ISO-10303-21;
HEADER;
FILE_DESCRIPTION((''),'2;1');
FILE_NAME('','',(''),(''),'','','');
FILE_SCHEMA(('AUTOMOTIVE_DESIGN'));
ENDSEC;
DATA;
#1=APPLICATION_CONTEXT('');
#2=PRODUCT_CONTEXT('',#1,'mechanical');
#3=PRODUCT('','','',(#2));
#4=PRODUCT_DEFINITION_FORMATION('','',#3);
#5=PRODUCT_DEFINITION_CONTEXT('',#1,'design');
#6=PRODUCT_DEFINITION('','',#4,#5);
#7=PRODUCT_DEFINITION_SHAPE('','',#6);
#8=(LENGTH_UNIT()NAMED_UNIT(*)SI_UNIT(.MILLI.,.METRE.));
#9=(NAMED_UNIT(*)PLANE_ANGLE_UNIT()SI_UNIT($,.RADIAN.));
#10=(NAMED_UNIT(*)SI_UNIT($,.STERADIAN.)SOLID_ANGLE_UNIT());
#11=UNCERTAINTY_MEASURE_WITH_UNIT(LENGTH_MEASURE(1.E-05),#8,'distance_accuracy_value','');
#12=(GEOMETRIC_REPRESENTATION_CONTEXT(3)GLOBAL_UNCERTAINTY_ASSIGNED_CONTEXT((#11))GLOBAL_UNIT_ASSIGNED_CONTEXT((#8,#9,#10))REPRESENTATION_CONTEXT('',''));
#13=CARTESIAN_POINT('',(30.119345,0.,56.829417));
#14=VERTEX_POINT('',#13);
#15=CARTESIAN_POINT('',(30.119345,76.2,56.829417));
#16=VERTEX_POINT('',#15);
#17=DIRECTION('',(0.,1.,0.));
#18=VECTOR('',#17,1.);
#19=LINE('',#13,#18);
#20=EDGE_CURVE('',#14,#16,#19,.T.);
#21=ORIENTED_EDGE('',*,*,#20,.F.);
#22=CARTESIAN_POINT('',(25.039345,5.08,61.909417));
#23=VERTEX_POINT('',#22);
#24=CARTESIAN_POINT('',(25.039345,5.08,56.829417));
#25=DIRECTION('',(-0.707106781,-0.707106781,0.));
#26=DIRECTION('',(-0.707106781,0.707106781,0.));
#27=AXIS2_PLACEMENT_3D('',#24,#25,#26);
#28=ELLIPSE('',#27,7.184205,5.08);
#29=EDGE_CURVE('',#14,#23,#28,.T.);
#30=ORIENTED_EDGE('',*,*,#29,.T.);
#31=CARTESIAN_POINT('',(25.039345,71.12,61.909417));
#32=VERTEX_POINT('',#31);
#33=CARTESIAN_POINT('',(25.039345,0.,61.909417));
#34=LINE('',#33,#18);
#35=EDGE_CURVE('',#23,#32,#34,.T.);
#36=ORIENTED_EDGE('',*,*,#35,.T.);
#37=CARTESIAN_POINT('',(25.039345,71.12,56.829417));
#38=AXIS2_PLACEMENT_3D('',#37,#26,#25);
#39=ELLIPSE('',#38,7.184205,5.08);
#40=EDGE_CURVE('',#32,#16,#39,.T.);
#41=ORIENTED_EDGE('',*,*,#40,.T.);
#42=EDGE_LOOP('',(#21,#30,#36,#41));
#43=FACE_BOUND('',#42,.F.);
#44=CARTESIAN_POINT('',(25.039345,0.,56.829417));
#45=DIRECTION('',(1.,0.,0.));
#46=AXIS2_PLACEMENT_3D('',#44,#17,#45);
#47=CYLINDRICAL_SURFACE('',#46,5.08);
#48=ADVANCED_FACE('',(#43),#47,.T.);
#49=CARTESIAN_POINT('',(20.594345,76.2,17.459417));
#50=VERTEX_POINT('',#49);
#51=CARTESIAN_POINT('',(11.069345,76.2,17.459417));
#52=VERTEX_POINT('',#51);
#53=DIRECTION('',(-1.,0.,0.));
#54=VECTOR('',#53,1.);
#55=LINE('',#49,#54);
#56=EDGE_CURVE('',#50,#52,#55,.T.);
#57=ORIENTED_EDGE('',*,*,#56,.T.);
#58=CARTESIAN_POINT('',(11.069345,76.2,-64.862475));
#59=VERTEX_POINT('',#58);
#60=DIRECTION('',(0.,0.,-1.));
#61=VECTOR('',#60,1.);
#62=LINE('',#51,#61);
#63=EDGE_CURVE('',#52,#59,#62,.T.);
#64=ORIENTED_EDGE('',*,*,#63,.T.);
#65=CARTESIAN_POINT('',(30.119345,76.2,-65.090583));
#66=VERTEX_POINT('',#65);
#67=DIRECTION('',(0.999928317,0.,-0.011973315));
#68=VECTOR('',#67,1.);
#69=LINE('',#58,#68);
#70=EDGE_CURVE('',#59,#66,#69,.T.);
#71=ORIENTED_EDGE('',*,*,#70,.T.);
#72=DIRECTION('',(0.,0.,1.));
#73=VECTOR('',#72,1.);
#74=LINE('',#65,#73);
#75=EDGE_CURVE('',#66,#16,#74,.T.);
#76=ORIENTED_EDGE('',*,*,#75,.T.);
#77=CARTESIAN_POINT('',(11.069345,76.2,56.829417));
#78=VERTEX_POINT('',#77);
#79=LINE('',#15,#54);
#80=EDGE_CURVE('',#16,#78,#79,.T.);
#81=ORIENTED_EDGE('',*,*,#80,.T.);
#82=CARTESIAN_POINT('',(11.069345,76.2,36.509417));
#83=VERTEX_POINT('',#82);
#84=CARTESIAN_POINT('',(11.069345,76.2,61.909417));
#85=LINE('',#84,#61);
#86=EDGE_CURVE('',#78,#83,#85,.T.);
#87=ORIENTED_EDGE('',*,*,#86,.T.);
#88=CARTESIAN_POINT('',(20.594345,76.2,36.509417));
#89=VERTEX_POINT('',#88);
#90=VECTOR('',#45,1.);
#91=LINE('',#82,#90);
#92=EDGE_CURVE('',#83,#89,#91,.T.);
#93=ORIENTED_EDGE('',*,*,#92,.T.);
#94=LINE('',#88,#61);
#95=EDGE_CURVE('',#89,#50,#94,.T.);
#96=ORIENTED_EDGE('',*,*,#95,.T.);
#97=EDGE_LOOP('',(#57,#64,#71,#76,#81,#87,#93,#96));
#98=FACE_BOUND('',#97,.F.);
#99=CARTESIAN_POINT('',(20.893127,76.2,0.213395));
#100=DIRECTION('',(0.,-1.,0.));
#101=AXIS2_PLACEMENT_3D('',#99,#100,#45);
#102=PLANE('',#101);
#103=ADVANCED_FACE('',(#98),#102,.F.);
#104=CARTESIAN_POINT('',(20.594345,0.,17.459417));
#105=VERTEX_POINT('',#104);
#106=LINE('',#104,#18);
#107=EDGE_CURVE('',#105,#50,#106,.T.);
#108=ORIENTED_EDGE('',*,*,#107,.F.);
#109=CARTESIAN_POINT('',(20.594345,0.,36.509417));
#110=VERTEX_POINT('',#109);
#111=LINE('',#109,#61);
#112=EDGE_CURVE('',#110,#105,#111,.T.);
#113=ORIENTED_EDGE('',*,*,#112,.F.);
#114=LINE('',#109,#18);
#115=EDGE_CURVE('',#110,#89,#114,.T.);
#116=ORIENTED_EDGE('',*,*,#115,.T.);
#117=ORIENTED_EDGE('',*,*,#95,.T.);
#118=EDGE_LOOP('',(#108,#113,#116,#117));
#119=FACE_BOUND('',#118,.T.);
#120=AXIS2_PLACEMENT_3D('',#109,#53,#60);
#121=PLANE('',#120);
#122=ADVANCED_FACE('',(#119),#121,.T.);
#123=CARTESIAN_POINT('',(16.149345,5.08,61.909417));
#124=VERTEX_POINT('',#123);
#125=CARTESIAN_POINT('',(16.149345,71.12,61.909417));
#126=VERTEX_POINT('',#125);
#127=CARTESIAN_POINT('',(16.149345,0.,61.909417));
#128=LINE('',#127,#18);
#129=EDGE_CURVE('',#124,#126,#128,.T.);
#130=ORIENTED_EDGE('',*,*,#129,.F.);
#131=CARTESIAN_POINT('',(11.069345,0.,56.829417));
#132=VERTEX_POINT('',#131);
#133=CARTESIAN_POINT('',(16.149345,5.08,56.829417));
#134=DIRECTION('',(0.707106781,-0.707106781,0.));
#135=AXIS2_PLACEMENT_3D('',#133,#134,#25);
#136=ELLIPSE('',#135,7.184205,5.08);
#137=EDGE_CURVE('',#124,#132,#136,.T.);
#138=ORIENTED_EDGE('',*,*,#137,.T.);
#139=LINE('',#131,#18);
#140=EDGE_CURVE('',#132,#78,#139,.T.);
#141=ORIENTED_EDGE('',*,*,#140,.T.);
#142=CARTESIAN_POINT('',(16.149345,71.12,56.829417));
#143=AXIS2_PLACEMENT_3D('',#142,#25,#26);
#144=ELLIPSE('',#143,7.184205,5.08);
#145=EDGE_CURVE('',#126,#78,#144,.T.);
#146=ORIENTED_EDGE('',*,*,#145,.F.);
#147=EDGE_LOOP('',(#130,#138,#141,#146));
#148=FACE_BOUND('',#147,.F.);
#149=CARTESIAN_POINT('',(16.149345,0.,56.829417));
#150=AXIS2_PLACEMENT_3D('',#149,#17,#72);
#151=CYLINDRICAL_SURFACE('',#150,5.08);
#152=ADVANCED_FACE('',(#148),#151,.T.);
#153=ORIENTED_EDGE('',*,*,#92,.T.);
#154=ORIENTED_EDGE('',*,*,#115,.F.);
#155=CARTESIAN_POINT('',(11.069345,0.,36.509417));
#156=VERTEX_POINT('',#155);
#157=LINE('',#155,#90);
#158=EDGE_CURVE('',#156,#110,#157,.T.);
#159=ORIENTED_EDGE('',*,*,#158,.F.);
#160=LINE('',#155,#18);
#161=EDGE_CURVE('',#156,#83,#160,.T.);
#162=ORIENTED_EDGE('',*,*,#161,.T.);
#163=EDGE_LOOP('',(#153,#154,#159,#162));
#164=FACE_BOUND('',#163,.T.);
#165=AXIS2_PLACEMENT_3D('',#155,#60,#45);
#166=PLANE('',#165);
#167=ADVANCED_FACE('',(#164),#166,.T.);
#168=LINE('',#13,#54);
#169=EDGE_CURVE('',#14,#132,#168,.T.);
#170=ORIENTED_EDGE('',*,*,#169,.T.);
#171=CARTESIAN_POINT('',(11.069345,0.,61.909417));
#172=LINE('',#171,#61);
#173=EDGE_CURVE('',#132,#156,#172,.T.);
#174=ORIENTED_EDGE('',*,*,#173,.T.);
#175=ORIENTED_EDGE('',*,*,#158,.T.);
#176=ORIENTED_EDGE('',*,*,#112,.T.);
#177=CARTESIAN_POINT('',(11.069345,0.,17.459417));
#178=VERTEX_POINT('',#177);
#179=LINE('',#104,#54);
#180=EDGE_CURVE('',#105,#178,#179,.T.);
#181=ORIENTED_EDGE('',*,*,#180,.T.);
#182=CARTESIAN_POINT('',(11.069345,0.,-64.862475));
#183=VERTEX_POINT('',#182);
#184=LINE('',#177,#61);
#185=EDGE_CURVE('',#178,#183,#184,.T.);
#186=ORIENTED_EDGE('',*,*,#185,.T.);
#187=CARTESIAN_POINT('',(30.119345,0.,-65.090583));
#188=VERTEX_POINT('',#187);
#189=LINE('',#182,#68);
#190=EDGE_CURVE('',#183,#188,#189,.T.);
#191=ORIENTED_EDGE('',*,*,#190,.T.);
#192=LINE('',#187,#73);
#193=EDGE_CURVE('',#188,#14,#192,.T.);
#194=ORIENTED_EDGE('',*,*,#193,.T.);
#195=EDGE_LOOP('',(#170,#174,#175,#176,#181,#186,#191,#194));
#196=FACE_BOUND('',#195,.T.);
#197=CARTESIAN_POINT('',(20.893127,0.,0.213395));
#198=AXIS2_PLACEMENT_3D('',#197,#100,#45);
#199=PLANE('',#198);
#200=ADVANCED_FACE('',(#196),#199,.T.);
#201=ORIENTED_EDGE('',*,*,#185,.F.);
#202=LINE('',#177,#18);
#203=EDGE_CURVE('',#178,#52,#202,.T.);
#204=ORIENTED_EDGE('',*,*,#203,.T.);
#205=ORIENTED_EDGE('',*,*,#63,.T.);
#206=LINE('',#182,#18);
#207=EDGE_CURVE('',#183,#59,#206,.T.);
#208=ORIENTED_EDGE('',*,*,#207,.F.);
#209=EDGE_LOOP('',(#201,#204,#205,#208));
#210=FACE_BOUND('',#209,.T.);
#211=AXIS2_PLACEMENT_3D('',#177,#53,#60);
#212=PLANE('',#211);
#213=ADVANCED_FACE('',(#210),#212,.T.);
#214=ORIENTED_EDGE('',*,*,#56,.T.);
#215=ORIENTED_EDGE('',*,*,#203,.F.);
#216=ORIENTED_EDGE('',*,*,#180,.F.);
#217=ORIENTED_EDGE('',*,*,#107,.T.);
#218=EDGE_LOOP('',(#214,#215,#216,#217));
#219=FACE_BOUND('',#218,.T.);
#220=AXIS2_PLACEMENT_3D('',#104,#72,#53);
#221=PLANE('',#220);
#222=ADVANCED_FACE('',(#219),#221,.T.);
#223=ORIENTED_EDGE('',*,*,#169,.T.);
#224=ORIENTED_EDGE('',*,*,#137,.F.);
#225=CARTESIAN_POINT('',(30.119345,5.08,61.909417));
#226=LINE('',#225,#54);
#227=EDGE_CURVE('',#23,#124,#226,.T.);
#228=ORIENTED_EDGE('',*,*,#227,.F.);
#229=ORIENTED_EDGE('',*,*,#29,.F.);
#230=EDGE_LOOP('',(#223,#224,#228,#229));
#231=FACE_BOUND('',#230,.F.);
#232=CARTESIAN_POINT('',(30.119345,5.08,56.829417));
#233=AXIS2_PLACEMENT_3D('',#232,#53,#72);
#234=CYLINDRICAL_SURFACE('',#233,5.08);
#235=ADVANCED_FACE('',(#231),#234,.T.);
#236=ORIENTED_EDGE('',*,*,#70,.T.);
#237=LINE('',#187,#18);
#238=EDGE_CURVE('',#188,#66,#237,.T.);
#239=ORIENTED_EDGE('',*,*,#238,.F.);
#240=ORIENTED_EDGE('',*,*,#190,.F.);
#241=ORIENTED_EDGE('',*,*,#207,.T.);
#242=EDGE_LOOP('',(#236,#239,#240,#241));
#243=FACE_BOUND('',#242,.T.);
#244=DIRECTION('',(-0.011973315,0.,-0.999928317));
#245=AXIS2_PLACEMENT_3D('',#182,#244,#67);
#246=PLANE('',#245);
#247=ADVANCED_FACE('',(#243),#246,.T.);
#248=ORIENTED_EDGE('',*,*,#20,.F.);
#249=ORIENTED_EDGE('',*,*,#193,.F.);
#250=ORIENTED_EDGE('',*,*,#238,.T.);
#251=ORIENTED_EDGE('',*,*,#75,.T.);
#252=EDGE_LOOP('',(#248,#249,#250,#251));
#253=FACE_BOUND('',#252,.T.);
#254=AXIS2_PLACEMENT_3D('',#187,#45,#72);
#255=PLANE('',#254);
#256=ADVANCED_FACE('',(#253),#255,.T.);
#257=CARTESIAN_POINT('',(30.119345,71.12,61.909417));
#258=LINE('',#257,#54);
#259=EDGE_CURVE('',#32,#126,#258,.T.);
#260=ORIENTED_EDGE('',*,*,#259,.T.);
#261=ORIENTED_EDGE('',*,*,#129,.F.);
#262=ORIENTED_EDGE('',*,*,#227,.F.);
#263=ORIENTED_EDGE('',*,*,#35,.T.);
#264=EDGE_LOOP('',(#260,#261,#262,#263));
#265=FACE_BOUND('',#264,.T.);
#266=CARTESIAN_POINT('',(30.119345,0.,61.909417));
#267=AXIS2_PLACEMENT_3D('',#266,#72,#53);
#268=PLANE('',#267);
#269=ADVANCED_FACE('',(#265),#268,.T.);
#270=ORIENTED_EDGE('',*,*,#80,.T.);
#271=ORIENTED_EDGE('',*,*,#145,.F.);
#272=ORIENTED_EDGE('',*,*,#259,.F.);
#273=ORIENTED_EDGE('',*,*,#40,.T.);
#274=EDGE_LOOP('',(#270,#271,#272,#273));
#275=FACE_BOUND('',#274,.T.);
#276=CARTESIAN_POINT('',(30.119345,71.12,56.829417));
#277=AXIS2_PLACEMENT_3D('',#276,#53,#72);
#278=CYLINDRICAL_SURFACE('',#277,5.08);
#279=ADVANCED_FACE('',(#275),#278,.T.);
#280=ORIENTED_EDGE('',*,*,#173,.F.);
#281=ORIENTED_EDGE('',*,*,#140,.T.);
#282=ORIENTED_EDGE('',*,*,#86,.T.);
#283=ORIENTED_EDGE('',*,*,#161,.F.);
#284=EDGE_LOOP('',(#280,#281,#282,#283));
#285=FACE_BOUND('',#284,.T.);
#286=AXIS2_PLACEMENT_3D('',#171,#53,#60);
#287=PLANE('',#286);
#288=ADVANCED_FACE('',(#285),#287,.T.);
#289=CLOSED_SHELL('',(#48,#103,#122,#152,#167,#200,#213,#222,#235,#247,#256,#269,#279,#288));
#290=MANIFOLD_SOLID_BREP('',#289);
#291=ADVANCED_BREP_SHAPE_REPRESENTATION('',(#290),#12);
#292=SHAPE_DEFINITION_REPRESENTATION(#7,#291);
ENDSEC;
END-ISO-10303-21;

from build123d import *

# Parameters (mm, degrees)
F1_DEPTH = 76.2
F2_R     = 5.08


with BuildPart() as f1:
    # F0 (on Front) → F1 (new body)
    with BuildSketch(Plane.XZ):
        Polygon((11.069345, -64.862475), (30.119345, -65.090583), (30.119345, 61.909417), (11.069345, 61.909417), (11.069345, 36.509417), (20.594345, 36.509417), (20.594345, 17.459417), (11.069345, 17.459417), align=None)
    extrude(amount=-F1_DEPTH)

    # F2
    f2_edges = [f1.edges().sort_by_distance(p)[0] for p in [
        (20.594345, 76.2, 61.909417),
        (30.119345, 38.1, 61.909417),
        (20.594345, 0, 61.909417),
        (11.069345, 38.1, 61.909417),
    ]]
    fillet(f2_edges, radius=F2_R)


solid = f1.part
